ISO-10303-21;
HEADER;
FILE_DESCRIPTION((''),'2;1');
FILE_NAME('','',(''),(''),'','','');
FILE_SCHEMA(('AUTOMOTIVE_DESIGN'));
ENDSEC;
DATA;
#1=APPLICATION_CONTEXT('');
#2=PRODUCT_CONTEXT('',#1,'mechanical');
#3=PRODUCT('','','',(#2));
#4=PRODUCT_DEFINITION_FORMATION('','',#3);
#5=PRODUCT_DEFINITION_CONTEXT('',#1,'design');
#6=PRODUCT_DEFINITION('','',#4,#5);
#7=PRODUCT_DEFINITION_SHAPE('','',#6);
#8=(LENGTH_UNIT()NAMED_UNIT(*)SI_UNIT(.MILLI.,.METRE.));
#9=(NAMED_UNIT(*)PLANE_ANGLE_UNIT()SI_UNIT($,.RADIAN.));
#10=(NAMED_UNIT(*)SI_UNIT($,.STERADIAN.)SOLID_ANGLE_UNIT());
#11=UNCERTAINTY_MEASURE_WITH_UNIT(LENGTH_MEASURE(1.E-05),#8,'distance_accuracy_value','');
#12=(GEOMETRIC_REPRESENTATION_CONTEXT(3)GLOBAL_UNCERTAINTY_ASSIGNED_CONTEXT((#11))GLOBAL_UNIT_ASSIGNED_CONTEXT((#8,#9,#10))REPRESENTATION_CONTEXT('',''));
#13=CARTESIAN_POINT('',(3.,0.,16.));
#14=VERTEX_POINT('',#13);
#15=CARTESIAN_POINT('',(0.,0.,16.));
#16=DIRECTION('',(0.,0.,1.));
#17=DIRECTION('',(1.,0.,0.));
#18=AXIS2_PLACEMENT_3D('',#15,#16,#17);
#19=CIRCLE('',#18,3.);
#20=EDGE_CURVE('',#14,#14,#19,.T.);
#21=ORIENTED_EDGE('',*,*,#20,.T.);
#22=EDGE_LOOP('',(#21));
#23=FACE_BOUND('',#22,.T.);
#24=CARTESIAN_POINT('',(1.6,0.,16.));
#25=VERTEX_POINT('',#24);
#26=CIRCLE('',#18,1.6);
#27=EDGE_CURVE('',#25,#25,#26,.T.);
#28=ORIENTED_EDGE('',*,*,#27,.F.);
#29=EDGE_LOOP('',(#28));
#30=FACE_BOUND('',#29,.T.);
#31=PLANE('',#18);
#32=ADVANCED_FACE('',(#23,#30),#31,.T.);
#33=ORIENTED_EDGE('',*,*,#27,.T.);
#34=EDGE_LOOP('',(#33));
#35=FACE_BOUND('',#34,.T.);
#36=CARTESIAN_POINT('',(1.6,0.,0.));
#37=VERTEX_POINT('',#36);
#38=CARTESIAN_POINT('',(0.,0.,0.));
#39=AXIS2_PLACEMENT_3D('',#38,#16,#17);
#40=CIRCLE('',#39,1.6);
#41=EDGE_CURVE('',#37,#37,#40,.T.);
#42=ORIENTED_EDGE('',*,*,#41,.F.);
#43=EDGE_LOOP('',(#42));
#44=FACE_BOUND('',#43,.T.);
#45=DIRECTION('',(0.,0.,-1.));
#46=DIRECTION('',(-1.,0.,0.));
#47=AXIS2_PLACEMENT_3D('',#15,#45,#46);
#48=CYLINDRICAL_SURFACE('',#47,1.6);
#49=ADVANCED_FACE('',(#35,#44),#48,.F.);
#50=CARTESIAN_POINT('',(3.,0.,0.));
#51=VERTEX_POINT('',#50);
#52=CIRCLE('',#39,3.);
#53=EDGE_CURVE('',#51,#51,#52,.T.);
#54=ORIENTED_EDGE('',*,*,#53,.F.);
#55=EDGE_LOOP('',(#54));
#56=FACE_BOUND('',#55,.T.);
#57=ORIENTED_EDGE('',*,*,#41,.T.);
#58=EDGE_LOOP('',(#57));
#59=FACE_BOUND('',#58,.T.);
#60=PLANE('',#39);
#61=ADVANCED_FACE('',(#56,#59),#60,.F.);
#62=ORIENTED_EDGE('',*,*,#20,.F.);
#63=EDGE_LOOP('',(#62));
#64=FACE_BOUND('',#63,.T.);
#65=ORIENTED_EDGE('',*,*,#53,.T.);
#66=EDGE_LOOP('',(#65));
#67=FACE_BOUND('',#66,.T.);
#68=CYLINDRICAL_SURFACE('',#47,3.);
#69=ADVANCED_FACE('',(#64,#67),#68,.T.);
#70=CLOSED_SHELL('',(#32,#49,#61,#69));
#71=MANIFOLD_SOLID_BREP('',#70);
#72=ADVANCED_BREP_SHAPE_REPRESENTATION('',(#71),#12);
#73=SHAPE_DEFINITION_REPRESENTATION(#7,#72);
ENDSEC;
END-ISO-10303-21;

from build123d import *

# Parameters (mm, degrees)
SKETCH_1_R      = 3
SKETCH_1_R_2    = 1.6
EXTRUDE_1_DEPTH = 16


with BuildPart() as part:
    # ｽｹｯﾁ1 → ﾎﾞｽ - 押し出し1 (new body)
    with BuildSketch(Plane.XY):
        Circle(SKETCH_1_R)
        Circle(SKETCH_1_R_2, mode=Mode.SUBTRACT)
    extrude(amount=EXTRUDE_1_DEPTH)


solid = part.part
